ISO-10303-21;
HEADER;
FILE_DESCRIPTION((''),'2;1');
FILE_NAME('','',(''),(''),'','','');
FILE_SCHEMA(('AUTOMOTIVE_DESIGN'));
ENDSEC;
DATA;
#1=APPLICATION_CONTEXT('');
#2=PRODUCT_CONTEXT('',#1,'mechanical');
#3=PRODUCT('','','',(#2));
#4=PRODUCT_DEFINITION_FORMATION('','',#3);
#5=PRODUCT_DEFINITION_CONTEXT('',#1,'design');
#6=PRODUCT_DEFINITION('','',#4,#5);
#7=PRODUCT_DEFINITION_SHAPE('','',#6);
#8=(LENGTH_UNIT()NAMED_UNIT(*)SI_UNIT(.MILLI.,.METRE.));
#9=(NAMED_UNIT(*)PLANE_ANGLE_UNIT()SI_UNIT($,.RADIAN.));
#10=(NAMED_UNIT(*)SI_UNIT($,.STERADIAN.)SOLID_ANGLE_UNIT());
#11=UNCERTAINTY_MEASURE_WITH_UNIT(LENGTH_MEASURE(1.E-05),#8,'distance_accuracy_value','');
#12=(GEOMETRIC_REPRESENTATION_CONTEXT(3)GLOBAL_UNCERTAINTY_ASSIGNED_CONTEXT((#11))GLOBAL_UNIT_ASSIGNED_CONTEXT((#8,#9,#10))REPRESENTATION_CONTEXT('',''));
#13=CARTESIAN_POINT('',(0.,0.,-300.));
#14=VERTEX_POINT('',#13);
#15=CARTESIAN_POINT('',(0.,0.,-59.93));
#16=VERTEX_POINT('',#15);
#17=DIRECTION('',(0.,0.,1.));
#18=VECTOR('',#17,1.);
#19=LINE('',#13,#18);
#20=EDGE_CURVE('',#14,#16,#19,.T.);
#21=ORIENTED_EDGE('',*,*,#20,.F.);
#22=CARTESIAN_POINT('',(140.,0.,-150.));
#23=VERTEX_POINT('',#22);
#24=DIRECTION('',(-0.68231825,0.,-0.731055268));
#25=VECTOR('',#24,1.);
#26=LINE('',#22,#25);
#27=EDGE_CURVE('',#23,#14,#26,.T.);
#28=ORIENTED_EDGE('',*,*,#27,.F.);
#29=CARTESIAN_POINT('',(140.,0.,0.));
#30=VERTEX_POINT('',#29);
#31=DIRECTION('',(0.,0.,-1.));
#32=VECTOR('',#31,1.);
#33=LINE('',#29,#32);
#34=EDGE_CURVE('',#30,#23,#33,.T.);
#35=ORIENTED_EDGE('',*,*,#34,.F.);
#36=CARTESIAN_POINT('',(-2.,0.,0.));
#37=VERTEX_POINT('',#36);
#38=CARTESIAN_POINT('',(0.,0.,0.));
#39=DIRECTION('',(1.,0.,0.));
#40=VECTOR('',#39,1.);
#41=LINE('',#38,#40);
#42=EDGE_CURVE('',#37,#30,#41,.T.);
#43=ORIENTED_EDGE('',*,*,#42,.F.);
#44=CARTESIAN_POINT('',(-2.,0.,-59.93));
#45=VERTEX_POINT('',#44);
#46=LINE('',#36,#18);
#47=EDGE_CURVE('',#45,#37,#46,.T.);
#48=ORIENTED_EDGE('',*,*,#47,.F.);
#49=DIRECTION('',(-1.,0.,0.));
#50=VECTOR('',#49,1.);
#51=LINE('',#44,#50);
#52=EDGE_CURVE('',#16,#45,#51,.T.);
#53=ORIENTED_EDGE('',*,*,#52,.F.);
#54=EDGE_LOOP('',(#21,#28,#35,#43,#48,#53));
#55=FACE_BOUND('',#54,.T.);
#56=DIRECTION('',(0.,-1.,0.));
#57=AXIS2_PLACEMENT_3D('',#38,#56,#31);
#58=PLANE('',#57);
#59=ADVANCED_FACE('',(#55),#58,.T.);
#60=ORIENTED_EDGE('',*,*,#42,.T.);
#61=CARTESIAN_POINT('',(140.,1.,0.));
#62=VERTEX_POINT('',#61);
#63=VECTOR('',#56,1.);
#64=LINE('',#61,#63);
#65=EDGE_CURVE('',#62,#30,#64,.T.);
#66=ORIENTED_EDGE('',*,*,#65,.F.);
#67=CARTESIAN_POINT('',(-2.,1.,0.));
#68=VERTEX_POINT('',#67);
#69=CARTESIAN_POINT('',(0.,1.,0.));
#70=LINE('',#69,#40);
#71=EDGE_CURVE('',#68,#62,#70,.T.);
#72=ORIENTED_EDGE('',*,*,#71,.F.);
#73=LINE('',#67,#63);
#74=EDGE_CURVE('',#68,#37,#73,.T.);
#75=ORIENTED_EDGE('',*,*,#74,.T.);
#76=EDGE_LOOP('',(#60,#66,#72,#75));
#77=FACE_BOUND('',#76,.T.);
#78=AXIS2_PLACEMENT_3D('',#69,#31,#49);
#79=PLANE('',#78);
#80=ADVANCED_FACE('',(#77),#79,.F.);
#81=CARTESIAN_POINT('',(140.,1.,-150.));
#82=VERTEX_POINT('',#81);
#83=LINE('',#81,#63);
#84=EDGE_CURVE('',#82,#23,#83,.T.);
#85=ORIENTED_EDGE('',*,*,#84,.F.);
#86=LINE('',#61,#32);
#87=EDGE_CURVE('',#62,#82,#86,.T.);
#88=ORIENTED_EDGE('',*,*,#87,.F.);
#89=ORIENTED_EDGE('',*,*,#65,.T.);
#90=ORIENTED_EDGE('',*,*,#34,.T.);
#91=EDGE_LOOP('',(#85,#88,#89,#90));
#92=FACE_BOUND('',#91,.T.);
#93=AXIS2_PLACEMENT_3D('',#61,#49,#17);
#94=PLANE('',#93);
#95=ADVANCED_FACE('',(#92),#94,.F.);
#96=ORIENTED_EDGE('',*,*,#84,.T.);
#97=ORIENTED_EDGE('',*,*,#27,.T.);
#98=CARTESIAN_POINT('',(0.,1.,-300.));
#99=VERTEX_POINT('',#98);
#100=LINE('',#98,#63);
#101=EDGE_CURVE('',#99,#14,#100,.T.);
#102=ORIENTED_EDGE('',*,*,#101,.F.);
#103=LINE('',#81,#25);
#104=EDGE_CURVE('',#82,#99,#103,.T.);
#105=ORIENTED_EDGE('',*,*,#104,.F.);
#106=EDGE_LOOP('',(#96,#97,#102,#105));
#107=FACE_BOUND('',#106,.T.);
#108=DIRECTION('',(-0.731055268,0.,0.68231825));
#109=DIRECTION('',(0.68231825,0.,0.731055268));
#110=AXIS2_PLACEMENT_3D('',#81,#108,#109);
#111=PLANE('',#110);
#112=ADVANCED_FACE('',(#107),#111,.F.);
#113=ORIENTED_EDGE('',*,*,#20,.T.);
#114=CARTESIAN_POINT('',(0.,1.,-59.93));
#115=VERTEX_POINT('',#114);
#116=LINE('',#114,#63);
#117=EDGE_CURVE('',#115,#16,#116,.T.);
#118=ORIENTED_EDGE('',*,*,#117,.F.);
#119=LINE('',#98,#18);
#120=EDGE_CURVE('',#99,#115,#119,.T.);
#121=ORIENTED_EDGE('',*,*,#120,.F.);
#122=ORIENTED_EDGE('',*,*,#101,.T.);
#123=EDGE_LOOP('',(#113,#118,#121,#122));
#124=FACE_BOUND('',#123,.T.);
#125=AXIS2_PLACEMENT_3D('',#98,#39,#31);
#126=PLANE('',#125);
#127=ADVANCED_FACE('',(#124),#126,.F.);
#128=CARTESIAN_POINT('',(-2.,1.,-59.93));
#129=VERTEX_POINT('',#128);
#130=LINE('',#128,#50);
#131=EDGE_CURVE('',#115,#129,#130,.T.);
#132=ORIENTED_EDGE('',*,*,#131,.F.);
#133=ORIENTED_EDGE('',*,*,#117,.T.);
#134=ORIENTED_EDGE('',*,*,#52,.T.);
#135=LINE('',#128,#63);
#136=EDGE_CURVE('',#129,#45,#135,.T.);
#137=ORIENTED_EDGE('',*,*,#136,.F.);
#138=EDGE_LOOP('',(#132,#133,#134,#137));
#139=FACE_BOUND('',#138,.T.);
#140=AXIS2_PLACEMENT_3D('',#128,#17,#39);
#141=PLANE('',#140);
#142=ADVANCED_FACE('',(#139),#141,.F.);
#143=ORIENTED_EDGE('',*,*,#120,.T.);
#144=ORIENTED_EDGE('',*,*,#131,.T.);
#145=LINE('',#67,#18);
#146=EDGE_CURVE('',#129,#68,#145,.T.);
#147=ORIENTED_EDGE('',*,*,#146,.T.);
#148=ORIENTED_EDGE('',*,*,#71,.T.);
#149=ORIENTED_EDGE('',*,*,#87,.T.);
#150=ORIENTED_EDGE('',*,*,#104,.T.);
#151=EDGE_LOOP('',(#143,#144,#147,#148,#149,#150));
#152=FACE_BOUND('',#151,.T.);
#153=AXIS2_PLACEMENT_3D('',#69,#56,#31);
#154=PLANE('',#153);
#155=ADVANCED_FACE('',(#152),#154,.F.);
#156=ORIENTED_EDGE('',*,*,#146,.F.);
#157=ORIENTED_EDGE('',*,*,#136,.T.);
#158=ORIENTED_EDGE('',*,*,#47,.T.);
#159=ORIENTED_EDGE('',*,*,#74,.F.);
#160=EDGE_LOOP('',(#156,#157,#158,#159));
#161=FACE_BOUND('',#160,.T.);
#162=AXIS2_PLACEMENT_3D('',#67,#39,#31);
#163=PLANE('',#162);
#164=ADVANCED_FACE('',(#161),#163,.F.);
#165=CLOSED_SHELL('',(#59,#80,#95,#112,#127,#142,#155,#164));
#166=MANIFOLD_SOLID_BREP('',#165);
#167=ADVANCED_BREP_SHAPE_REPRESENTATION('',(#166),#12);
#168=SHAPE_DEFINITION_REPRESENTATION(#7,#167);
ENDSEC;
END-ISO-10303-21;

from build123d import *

# Parameters (mm, degrees)
ESTRUSIONE_ESTRUSIONE1_DEPTH = 1


with BuildPart() as part:
    # Forma aletta → Estrusione-Estrusione1 (new body)
    with BuildSketch(Plane(origin=(0, 0, 0), x_dir=(1, 0, 0), z_dir=(0, 1, 0))):
        Polygon((0, 300), (0, 59.93), (-2, 59.93), (-2, 0), (0, 0), (140, 0), (140, 150), align=None)
    extrude(amount=ESTRUSIONE_ESTRUSIONE1_DEPTH)


solid = part.part
